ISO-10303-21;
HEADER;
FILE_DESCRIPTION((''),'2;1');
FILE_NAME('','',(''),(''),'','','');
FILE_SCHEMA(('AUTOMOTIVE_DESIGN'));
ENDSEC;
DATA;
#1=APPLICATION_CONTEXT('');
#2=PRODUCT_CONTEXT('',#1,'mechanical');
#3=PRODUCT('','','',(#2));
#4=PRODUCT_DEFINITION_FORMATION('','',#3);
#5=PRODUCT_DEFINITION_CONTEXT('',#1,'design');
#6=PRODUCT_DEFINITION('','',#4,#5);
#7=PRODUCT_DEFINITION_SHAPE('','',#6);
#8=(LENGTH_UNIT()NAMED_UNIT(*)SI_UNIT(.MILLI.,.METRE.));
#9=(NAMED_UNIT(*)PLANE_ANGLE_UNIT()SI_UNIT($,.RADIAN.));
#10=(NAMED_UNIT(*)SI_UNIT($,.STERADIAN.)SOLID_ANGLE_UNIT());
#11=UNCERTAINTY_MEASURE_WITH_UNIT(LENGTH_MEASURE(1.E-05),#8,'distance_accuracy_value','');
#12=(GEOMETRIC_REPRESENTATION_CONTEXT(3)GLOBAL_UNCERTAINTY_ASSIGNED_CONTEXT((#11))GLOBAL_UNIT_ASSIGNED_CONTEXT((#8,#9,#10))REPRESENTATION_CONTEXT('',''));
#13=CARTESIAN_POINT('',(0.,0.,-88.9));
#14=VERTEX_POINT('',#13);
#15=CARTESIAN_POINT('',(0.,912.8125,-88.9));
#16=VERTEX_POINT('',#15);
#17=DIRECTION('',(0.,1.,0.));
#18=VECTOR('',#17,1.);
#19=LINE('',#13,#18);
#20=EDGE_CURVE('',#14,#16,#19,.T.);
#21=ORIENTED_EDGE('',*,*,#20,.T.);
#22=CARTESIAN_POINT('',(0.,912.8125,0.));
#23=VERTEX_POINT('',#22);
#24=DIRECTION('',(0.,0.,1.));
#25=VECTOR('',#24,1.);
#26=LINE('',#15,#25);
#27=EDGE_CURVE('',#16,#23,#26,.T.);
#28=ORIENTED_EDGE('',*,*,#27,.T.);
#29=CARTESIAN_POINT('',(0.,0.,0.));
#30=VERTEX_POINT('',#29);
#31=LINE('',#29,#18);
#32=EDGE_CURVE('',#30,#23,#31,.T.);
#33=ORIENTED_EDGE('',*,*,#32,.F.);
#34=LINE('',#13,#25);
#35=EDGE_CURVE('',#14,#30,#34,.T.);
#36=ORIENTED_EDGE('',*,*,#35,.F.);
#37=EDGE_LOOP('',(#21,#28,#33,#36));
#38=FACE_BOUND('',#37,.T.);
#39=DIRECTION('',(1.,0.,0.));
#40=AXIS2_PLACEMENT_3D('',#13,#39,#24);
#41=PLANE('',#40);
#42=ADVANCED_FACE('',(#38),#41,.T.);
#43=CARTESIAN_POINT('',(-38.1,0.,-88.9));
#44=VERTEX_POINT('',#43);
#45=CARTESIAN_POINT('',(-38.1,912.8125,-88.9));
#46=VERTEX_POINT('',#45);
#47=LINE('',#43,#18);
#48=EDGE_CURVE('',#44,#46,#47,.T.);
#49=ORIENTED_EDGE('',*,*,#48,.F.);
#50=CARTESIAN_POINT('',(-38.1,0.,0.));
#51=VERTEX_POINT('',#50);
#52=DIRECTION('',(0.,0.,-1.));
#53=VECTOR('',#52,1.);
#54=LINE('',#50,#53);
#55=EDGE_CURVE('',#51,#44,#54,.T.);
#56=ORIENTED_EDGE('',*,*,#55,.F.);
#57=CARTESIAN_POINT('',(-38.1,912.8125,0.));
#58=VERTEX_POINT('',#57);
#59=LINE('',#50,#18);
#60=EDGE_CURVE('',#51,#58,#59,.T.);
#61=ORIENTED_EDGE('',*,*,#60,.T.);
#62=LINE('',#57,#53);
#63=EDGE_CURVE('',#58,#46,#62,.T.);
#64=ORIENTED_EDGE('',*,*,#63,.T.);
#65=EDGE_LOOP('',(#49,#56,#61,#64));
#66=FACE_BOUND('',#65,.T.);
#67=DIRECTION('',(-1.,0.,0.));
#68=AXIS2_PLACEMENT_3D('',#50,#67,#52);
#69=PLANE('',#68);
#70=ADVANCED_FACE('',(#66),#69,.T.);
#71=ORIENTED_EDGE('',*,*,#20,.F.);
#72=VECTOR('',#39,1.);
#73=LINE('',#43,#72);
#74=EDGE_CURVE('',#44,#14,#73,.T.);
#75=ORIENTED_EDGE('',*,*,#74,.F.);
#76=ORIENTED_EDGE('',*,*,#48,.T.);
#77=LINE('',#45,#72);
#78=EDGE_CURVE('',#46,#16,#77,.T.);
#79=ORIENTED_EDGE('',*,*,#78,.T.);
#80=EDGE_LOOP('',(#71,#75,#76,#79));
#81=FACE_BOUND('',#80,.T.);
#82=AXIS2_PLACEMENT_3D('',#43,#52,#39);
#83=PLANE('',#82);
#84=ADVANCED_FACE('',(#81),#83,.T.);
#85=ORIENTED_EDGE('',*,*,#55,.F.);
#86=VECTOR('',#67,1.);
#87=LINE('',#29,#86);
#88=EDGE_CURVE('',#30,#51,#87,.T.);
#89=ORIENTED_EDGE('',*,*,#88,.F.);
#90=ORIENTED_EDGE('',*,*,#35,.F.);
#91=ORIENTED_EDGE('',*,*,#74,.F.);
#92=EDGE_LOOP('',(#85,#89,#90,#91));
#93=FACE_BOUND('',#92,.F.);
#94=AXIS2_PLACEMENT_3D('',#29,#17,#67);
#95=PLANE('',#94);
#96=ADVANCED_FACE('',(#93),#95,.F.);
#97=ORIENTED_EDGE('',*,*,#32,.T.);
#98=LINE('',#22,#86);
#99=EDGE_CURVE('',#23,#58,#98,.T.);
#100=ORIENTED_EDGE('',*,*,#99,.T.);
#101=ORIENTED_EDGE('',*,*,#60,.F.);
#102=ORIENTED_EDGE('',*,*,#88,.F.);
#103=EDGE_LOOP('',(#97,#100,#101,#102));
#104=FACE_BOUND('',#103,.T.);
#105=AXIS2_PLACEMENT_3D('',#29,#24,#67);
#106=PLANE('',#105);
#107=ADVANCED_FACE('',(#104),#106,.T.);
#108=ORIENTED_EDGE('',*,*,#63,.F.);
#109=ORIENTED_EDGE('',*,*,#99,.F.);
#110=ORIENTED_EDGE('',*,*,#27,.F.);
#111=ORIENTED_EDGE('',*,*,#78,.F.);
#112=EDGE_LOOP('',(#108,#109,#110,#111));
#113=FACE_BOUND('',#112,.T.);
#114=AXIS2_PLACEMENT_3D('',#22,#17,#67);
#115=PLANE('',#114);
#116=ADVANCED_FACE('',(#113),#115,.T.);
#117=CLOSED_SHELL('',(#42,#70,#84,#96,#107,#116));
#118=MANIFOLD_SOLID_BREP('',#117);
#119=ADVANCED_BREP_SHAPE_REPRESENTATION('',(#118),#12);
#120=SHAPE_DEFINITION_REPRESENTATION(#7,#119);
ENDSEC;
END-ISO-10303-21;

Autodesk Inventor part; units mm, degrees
ref_plane "YZ Plane" through (0, 0, 0) normal (1, 0, 0) x (0, 1, 0)
ref_plane "XZ Plane" through (0, 0, 0) normal (0, 1, 0) x (-1, 0, 0)
ref_plane "XY Plane" through (0, 0, 0) normal (0, 0, 1) x (1, 0, 0)
sketch "Sketch1" plane through (0, 0, 0) normal (0, 1, 0) x (-1, 0, 0)
  line L0 (0, 0) -> (38.1, 0)
  line L1 (38.1, 0) -> (38.1, -88.9)
  line L2 (38.1, -88.9) -> (0, -88.9)
  line L3 (0, -88.9) -> (0, 0)
  dimension "d0" = 88.9
  dimension "d1" = 38.1
extrude "Extrusion1" add sketch "Sketch1" along normal blind 912.8125
properties part number "Stud_With_Height_35.9375_Inches" material "Wood (Birch)"
